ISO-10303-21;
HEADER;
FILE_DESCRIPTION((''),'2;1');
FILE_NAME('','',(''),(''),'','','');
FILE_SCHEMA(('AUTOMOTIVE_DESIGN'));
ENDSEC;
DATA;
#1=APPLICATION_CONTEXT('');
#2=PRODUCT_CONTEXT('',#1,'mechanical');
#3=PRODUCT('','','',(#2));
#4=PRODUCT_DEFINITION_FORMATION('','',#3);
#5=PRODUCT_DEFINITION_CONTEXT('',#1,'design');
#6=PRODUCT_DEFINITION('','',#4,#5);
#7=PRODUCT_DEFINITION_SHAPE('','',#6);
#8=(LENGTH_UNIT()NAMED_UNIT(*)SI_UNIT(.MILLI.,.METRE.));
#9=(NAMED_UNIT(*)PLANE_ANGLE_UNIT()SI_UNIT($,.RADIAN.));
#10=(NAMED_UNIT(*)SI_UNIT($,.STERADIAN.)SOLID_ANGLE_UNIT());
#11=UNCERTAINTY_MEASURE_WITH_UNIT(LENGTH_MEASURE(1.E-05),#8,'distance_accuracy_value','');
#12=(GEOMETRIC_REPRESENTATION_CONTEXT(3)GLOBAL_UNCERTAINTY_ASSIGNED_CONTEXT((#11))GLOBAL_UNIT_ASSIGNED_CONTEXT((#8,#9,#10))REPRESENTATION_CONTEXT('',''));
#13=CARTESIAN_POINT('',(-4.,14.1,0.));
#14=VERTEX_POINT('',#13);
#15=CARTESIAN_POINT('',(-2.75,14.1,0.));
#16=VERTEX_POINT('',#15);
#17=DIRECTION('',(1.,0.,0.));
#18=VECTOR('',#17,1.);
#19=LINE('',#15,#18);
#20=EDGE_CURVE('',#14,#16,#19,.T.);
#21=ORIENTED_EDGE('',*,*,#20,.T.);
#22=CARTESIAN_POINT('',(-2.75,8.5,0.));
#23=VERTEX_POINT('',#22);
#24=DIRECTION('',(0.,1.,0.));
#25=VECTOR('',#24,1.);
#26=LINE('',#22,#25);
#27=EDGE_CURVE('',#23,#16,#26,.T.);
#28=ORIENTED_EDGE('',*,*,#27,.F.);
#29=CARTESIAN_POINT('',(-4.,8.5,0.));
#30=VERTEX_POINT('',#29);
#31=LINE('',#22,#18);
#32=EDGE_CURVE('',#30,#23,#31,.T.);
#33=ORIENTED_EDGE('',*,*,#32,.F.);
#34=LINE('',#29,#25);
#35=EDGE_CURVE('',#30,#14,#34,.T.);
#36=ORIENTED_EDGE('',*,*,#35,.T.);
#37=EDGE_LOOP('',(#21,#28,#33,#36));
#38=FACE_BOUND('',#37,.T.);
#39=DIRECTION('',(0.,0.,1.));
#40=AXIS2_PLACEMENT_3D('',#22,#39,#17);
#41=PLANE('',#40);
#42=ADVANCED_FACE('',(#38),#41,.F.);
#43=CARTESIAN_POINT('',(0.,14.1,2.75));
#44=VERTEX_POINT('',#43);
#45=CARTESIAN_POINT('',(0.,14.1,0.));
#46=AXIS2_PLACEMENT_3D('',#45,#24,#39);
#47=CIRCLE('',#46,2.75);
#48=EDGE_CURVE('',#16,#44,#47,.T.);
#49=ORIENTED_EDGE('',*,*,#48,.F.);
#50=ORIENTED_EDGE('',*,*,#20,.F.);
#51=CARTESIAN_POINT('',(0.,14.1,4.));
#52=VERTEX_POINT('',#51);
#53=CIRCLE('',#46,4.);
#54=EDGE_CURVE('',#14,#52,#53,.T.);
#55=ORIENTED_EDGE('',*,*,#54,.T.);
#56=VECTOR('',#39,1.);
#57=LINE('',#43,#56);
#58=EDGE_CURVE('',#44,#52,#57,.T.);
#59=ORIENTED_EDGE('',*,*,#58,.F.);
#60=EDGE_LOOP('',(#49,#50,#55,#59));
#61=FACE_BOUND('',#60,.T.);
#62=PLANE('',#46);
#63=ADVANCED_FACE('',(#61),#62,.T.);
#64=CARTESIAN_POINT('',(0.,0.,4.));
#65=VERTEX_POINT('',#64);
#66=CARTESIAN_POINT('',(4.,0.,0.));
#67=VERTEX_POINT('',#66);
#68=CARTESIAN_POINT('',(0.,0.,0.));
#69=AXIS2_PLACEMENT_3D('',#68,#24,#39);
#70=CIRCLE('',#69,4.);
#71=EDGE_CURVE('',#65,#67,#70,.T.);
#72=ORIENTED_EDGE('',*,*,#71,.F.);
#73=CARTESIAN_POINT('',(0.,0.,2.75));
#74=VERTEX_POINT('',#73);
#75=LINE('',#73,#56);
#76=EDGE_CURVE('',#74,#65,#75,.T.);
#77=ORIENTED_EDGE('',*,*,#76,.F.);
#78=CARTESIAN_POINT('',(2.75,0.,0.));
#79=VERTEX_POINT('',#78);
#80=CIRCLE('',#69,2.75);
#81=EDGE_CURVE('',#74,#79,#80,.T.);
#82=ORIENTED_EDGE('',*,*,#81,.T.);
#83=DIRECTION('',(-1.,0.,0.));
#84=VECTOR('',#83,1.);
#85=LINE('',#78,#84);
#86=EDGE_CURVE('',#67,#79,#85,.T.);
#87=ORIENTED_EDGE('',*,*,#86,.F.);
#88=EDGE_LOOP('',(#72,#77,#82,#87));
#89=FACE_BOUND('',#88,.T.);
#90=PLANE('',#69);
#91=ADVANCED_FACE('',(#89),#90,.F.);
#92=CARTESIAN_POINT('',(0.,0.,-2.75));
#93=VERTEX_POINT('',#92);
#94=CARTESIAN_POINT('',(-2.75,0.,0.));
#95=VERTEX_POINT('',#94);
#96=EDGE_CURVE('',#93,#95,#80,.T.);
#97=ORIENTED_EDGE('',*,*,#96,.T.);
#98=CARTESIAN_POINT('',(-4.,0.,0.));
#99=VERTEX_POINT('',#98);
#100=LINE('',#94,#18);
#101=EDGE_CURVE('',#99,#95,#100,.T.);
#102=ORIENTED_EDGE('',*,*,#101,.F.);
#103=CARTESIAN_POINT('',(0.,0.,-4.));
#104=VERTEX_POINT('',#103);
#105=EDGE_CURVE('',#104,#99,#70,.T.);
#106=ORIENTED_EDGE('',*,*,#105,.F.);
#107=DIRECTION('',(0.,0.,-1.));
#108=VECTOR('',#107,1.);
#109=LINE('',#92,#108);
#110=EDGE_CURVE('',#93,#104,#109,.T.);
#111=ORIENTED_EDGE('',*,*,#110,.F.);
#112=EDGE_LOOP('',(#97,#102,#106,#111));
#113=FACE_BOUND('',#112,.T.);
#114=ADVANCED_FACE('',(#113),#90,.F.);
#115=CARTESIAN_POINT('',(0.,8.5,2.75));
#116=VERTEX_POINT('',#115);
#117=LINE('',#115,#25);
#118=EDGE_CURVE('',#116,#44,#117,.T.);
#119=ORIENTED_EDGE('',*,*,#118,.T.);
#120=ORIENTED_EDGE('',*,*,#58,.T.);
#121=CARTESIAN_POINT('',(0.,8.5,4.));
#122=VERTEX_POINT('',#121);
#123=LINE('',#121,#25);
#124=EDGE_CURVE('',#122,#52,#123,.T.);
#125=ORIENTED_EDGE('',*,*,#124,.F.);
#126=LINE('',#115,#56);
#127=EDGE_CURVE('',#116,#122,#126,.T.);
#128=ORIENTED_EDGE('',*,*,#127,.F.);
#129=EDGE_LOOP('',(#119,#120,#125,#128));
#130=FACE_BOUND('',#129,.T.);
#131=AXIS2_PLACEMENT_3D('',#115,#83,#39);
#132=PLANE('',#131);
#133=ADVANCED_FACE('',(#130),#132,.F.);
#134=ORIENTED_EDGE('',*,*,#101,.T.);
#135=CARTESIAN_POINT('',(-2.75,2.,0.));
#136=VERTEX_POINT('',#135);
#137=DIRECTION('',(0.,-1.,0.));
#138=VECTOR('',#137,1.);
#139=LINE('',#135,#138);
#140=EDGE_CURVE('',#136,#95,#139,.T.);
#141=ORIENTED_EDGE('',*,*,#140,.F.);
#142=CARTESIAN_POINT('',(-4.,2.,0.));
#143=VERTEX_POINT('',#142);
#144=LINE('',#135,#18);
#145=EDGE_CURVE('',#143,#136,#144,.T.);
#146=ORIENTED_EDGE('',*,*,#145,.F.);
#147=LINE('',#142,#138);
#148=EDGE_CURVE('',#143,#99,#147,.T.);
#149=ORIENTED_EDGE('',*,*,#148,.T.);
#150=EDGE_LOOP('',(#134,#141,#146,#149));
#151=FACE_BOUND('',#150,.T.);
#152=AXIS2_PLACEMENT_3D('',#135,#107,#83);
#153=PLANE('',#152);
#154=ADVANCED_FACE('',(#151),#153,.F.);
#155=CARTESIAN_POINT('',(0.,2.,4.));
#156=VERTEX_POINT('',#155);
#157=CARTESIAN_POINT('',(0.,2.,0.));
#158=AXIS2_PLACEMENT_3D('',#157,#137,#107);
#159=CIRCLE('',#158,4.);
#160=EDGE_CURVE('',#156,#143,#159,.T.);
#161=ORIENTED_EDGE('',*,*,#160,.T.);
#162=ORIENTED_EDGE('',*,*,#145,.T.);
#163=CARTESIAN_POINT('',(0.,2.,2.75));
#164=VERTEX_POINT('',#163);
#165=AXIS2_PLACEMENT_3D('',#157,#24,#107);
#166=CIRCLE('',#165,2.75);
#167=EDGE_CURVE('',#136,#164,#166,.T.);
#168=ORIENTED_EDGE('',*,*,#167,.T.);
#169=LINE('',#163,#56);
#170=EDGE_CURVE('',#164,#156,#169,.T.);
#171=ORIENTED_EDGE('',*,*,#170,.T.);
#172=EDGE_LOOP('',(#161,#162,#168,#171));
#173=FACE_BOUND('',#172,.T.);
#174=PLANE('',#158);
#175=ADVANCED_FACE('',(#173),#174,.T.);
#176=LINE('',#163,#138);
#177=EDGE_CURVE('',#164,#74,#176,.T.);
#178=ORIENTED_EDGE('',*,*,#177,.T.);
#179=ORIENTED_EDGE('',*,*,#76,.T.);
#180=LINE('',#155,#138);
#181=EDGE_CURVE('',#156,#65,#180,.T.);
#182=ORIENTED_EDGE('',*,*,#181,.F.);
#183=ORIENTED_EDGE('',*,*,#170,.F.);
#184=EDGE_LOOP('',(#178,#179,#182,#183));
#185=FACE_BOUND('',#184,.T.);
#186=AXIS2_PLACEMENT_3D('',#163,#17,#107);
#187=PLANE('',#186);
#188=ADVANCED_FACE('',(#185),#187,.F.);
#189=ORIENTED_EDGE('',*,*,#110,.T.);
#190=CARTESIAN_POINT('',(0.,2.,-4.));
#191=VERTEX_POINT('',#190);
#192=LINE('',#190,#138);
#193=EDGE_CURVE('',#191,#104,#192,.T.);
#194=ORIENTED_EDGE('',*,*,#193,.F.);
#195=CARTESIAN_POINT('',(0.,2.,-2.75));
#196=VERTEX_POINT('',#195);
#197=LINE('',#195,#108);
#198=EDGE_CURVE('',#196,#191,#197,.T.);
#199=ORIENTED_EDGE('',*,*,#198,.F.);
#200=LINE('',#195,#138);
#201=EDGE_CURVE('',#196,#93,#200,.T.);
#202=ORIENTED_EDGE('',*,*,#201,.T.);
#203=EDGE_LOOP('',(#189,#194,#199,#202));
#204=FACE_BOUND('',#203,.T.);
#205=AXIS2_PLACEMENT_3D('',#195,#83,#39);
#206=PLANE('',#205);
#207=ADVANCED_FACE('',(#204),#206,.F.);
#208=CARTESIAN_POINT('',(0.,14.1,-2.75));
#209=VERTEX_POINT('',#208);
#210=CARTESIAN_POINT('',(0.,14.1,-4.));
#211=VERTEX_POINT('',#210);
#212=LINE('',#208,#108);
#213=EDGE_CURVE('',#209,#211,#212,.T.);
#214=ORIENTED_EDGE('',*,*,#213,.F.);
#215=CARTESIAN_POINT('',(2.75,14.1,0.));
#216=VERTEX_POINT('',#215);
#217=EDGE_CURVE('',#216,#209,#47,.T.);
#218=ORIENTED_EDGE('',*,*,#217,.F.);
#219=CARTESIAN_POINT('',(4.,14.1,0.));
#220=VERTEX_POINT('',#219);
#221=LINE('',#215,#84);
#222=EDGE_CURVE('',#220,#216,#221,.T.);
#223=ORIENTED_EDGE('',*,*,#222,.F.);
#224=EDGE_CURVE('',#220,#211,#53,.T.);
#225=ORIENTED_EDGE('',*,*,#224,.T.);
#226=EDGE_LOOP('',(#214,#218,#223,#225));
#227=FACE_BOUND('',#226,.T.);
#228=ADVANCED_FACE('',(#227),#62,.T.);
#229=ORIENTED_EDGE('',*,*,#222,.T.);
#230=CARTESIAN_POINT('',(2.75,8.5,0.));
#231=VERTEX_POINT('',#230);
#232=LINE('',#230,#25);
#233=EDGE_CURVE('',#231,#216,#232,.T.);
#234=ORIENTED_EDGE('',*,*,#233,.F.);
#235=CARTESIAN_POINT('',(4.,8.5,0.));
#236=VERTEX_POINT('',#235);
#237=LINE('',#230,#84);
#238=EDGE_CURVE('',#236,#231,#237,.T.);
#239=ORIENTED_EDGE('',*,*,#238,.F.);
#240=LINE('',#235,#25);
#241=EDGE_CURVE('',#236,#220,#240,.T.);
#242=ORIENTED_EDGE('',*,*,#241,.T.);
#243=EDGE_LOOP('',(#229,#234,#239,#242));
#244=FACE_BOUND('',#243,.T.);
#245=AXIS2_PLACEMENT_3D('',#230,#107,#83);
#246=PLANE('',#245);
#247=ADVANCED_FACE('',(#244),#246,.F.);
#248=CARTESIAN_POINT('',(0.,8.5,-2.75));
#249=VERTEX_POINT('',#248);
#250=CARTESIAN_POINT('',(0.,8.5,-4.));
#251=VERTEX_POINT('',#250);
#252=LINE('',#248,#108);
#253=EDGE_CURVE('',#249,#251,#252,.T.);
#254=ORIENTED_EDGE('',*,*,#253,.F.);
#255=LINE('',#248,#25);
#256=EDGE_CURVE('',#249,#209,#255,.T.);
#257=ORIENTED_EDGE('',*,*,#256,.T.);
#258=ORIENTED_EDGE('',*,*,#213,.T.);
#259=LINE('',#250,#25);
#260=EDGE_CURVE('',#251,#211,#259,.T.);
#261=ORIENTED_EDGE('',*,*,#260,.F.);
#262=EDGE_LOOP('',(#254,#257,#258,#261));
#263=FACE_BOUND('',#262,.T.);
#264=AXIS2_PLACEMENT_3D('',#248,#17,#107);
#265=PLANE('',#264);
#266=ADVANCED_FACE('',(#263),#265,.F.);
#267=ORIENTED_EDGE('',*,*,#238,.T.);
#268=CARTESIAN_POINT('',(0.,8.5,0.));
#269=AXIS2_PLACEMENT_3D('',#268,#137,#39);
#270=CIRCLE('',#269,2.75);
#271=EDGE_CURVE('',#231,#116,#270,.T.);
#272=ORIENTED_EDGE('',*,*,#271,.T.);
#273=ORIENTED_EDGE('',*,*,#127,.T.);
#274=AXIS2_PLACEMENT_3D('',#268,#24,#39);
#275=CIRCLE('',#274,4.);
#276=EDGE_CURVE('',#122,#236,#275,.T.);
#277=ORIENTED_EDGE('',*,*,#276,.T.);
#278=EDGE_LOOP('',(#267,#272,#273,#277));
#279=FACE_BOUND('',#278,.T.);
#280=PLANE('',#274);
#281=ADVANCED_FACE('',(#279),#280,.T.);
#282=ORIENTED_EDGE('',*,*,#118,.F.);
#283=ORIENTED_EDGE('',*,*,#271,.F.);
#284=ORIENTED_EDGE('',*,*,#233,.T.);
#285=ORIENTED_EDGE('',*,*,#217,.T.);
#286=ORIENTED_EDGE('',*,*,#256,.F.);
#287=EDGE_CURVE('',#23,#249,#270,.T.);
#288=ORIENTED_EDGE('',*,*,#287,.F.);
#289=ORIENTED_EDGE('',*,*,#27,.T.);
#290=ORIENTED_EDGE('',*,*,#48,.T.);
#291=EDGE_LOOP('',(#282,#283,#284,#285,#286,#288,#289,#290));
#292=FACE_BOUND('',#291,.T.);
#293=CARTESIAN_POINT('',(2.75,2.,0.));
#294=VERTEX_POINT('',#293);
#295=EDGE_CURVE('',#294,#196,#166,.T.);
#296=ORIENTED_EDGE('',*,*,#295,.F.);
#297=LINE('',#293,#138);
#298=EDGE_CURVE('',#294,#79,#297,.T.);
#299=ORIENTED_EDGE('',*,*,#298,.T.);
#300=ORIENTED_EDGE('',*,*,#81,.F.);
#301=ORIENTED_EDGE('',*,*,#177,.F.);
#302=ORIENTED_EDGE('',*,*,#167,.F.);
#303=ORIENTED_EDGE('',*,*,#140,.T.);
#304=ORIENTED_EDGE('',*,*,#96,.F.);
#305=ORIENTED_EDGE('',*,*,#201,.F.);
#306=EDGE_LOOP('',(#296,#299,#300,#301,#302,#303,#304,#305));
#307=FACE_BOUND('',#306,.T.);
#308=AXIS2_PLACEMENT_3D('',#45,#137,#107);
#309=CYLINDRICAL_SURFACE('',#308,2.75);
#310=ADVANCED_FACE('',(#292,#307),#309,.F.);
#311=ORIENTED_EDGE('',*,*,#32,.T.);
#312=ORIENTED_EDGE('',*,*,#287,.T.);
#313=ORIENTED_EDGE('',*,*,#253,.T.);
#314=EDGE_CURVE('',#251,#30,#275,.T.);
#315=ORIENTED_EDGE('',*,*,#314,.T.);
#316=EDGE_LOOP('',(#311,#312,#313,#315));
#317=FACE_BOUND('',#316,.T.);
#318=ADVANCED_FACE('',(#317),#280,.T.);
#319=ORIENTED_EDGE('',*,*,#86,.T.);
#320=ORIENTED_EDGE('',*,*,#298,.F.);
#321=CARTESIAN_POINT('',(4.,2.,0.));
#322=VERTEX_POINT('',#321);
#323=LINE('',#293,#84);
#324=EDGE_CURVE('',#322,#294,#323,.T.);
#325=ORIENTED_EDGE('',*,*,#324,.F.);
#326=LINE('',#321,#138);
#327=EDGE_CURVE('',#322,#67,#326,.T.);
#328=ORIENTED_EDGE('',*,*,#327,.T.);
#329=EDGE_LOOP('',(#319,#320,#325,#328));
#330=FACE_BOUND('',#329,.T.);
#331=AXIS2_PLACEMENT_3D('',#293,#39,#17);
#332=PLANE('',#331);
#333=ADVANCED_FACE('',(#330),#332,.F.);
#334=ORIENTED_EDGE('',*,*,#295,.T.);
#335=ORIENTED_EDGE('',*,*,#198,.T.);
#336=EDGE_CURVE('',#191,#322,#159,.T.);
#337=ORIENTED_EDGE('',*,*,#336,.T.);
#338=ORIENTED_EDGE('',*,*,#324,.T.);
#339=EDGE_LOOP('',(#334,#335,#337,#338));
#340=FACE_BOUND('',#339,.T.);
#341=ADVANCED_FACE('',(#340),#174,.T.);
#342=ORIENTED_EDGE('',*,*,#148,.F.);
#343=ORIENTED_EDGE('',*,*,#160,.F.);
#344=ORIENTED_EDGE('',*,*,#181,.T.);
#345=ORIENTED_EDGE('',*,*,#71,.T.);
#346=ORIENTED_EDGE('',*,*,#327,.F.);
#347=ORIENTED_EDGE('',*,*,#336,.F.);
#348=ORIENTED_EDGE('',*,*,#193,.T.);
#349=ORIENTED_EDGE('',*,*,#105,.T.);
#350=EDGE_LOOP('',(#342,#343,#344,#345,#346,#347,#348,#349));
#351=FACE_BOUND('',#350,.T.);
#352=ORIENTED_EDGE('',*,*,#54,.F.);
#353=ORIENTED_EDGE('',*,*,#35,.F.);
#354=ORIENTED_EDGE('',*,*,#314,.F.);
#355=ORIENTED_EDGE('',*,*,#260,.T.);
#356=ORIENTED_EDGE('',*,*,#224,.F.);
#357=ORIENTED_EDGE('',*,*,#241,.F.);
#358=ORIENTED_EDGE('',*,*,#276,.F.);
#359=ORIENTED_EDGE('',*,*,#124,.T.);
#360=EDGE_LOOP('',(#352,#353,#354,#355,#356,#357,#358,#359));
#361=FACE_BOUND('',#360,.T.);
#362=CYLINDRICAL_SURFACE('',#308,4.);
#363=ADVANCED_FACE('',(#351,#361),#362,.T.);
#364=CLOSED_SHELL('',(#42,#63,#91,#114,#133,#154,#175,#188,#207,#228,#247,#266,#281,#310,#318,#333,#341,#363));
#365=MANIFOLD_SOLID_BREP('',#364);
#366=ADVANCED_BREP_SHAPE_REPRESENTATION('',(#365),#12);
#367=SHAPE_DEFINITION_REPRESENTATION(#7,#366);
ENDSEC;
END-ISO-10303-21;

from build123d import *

# Parameters (mm, degrees)
SCHIZZO1_R                   = 4
SCHIZZO1_R_2                 = 2.75
ESTRUSIONE_ESTRUSIONE2_DEPTH = 14.1
TAGLIO_ESTRUSIONE1_DEPTH     = 5.6
TAGLIO_ESTRUSIONE2_DEPTH     = 2


with BuildPart() as part:
    # Schizzo1 → Estrusione-Estrusione2 (new body)
    with BuildSketch(Plane(origin=(0, 0, 0), x_dir=(1, 0, 0), z_dir=(0, 1, 0))):
        Circle(SCHIZZO1_R)
        Circle(SCHIZZO1_R_2, mode=Mode.SUBTRACT)
    extrude(amount=ESTRUSIONE_ESTRUSIONE2_DEPTH)

    # Schizzo2 → Taglio-Estrusione1 (cut)
    with BuildSketch(Plane(origin=(0, 14.1, 0), x_dir=(1, 0, 0), z_dir=(0, 1, 0))):
        with BuildLine():
            Line((0, 2.75), (0, 4))
            ThreePointArc((0, 4), (-2.828427125, 2.828427125), (-4, 0))
            Line((-4, 0), (-2.75, 0))
            ThreePointArc((-2.75, 0), (-1.944543648, 1.944543648), (0, 2.75))
        make_face()
        with BuildLine():
            Line((2.75, 0), (4, 0))
            ThreePointArc((4, 0), (2.828427125, -2.828427125), (0, -4))
            Line((0, -4), (0, -2.75))
            ThreePointArc((0, -2.75), (1.944543648, -1.944543648), (2.75, 0))
        make_face()
    extrude(amount=-TAGLIO_ESTRUSIONE1_DEPTH, mode=Mode.SUBTRACT)

    # Schizzo3 → Taglio-Estrusione2 (cut)
    with BuildSketch(Plane.XZ):
        with BuildLine():
            Line((0, 2.75), (0, 4))
            ThreePointArc((0, 4), (-2.828427125, 2.828427125), (-4, 0))
            Line((-4, 0), (-2.75, 0))
            ThreePointArc((-2.75, 0), (-1.944543648, 1.944543648), (0, 2.75))
        make_face()
        with BuildLine():
            Line((2.75, 0), (4, 0))
            ThreePointArc((4, 0), (2.828427125, -2.828427125), (0, -4))
            Line((0, -4), (0, -2.75))
            ThreePointArc((0, -2.75), (1.944543648, -1.944543648), (2.75, 0))
        make_face()
    extrude(amount=-TAGLIO_ESTRUSIONE2_DEPTH, mode=Mode.SUBTRACT)


solid = part.part
